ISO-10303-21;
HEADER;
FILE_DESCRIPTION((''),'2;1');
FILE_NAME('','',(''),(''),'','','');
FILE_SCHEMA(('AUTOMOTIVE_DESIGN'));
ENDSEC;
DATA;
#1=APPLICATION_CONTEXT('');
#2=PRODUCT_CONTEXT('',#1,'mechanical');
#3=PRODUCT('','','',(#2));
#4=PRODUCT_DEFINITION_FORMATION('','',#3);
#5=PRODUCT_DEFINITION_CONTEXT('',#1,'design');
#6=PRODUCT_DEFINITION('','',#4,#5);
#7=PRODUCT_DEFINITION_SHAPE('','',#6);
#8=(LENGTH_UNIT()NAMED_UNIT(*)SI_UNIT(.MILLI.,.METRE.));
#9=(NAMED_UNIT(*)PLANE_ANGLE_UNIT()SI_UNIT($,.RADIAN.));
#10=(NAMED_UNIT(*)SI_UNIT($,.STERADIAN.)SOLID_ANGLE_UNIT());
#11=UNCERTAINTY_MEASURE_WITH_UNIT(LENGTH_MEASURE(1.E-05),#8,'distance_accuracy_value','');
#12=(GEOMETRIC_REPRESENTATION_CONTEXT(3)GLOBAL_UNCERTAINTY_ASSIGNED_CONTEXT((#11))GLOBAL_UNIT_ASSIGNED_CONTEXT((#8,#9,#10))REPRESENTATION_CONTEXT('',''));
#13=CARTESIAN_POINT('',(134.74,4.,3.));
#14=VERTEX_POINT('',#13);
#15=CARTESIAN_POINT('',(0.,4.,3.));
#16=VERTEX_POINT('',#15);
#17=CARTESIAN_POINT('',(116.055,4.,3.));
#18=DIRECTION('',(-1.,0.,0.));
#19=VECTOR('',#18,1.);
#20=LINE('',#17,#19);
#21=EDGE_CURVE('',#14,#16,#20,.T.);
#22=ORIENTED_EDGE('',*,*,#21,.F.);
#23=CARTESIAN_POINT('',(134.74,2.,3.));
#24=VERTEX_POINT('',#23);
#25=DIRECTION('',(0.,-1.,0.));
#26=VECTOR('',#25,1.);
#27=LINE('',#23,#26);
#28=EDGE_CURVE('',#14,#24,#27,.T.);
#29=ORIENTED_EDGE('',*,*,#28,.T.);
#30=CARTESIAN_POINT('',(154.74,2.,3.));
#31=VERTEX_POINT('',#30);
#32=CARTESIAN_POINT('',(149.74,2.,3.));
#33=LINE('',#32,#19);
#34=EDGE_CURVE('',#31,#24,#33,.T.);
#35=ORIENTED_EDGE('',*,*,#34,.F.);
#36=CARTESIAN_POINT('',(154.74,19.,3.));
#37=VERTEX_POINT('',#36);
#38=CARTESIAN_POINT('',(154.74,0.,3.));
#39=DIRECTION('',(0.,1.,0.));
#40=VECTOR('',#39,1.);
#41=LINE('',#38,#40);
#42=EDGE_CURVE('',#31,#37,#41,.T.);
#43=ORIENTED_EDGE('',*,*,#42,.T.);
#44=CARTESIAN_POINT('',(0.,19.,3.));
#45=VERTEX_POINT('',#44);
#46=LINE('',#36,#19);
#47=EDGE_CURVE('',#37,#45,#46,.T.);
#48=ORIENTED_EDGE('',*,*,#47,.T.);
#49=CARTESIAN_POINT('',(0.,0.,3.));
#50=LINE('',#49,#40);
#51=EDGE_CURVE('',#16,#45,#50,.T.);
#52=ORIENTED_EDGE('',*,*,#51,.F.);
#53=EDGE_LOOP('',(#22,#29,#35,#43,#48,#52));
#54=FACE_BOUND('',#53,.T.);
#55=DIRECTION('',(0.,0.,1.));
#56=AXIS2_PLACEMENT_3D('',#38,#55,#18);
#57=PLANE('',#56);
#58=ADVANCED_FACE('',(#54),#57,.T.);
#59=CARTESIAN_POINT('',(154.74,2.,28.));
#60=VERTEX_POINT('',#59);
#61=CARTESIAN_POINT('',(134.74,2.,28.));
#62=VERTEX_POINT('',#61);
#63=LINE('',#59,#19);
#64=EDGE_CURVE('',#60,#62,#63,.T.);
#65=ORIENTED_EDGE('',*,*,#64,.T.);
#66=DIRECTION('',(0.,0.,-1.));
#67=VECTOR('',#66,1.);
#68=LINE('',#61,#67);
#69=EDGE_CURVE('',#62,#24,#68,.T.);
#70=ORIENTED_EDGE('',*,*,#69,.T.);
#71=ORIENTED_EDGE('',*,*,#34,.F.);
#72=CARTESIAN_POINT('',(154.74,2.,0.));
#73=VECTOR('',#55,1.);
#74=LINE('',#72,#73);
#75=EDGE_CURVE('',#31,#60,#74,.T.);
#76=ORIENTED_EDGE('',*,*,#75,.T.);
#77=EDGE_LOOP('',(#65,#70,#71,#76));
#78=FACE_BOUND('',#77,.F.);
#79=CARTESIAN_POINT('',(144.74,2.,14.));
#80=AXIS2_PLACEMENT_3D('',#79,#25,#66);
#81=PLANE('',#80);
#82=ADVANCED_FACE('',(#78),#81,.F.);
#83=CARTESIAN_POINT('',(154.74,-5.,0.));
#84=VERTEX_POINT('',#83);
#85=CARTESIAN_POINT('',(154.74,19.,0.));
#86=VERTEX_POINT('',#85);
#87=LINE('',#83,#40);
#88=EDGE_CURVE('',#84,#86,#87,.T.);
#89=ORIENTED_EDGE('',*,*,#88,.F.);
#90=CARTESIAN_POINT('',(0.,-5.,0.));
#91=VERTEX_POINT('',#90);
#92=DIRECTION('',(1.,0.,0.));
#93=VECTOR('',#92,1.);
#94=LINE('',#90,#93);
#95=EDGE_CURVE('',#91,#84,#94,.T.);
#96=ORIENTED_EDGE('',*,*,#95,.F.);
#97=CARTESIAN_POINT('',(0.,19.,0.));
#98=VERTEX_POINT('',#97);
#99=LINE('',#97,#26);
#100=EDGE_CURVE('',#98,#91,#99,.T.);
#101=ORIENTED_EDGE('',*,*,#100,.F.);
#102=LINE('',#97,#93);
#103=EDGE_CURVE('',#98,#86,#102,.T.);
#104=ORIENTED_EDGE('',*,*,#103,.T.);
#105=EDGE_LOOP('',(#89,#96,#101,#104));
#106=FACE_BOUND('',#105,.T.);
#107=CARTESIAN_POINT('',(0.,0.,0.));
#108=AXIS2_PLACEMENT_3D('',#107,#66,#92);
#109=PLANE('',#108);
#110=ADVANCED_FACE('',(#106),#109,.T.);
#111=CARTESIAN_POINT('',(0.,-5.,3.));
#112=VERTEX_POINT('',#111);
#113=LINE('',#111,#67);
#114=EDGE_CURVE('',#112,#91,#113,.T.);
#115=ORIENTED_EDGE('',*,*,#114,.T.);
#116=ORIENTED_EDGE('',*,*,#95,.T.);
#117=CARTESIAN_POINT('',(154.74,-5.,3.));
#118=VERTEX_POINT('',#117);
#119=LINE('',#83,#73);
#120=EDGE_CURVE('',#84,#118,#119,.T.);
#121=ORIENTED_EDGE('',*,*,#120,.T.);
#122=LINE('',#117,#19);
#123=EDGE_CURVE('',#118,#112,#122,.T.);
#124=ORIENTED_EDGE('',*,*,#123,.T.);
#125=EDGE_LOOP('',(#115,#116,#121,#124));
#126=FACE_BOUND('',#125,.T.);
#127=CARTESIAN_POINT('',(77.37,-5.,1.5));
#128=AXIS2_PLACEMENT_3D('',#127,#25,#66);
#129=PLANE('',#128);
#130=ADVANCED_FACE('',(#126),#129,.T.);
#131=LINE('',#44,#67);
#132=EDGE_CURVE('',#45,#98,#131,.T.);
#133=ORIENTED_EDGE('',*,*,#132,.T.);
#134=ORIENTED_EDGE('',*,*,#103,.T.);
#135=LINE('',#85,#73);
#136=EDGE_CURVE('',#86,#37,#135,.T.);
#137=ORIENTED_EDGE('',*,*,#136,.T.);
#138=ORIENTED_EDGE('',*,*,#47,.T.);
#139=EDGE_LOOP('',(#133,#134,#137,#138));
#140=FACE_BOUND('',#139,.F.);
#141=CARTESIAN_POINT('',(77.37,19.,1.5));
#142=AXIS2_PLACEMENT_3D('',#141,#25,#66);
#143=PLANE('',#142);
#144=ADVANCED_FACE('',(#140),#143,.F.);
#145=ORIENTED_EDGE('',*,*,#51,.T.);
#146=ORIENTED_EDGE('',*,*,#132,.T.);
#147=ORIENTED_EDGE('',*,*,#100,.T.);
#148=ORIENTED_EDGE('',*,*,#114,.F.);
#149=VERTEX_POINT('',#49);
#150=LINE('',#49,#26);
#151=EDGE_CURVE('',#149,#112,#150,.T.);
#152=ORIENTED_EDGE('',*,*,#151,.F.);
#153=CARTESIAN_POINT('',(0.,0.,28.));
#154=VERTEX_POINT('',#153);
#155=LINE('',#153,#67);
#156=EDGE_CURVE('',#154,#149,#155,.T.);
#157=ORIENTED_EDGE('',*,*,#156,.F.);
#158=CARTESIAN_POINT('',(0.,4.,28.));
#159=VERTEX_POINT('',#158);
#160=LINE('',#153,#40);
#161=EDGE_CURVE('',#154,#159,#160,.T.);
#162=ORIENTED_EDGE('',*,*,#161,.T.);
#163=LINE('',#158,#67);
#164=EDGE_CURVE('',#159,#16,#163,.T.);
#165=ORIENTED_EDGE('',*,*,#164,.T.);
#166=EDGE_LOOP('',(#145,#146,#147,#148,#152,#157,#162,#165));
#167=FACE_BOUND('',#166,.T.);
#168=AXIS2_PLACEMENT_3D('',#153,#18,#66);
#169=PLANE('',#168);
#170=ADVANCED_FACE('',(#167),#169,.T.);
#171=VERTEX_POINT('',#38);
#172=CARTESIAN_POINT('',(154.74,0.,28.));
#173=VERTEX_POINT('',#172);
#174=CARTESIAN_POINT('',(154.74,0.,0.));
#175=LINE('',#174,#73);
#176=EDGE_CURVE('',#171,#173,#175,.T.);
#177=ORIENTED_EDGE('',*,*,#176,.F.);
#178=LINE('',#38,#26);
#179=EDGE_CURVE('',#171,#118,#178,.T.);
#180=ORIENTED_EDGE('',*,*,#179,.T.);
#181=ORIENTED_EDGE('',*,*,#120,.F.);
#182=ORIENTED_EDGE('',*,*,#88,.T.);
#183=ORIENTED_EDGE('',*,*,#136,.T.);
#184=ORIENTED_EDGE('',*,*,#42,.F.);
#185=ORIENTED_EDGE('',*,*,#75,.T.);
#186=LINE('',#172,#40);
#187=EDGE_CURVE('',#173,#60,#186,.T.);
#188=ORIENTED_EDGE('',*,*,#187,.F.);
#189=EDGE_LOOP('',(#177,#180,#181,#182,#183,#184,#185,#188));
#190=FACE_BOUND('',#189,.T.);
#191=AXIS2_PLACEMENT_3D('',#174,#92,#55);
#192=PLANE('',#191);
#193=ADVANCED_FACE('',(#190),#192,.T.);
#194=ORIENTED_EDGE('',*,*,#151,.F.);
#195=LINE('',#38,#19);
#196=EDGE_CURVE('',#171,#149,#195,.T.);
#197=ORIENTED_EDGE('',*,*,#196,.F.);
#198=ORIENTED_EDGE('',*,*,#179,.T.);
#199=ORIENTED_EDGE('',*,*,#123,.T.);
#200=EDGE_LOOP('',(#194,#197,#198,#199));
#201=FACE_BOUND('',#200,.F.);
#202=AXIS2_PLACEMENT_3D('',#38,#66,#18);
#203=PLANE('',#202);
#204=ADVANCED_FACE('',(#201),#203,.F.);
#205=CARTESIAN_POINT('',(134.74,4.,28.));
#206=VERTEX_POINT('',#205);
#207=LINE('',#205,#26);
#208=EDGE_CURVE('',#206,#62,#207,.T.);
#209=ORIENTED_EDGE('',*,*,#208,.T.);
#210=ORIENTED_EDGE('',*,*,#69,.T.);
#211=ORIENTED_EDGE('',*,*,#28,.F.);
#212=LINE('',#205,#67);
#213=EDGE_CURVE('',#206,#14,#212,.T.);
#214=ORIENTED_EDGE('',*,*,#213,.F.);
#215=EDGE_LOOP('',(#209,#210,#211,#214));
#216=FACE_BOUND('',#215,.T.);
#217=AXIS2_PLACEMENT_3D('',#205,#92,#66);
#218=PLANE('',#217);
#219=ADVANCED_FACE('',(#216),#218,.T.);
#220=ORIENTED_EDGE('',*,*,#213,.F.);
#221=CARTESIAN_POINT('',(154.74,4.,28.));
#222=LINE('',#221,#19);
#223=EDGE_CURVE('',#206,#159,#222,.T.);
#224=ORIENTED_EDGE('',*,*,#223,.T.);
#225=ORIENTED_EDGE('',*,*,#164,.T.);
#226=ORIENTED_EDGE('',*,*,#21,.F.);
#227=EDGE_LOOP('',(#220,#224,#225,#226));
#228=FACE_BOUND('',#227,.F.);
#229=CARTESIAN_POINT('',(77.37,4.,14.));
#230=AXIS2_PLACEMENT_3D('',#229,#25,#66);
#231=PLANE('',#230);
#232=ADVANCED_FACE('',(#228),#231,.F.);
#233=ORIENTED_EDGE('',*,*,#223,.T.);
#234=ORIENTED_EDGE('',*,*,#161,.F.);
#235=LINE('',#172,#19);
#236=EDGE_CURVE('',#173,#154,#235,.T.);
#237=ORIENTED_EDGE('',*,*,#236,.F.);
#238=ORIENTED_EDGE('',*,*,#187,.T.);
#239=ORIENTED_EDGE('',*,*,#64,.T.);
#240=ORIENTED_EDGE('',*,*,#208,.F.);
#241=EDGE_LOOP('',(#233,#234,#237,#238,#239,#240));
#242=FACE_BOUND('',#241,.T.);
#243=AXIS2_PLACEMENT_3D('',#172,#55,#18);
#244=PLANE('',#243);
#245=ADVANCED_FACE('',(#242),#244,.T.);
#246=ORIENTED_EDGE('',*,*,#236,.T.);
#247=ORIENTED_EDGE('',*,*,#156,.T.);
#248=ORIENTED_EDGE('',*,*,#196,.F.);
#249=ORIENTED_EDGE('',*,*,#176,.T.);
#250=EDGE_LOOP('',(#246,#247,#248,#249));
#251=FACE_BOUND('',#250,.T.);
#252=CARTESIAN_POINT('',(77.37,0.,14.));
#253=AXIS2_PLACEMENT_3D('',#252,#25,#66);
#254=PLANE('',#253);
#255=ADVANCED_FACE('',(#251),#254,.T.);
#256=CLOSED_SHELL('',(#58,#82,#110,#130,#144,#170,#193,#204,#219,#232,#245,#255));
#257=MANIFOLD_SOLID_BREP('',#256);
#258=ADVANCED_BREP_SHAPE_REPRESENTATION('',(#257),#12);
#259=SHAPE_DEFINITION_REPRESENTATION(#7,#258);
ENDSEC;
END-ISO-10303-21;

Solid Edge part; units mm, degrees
sketch "Sketch1" plane through (0, 0, 0) normal (0, -1, 0) x (1, 0, 0)
  line L0 (154.74, 28) -> (0, 28)
  line L1 (0, 28) -> (0, 0)
  line L2 (0, 0) -> (154.74, 0)
  line L3 (154.74, 0) -> (154.74, 28)
extrude "Protrusion1" add sketch "Sketch1" against normal blind 4
sketch "Sketch2" plane through (77.37, 4, 14) normal (0, 1, 0) x (-1, 0, 0)
  line L0 (-57.37, 14) -> (-57.37, -14)
  line L1 (-57.37, -14) -> (-77.37, -14)
  line L2 (-77.37, -14) -> (-77.37, 14)
  line L3 (-77.37, 14) -> (-57.37, 14)
extrude "Recorte_Extrudado_1" cut sketch "Sketch2" against normal blind 2
sketch "Sketch3" plane through (77.37, 0, 14) normal (0, -1, 0) x (1, 0, 0)
  line L0 (77.37, -11) -> (-77.37, -11)
  line L1 (-77.37, -11) -> (-77.37, -14)
  line L2 (-77.37, -14) -> (77.37, -14)
  line L3 (77.37, -14) -> (77.37, -11)
extrude "Protrusão_Extrudada_2" add sketch "Sketch3" against normal blind 19
sketch "Sketch4" plane through (77.37, 0, 14) normal (0, -1, 0) x (1, 0, 0)
  line L0 (77.37, -11) -> (-77.37, -11)
  line L1 (-77.37, -11) -> (-77.37, -14)
  line L2 (-77.37, -14) -> (77.37, -14)
  line L3 (77.37, -14) -> (77.37, -11)
extrude "Protrusão_Extrudada_3" add sketch "Sketch4" along normal blind 5
